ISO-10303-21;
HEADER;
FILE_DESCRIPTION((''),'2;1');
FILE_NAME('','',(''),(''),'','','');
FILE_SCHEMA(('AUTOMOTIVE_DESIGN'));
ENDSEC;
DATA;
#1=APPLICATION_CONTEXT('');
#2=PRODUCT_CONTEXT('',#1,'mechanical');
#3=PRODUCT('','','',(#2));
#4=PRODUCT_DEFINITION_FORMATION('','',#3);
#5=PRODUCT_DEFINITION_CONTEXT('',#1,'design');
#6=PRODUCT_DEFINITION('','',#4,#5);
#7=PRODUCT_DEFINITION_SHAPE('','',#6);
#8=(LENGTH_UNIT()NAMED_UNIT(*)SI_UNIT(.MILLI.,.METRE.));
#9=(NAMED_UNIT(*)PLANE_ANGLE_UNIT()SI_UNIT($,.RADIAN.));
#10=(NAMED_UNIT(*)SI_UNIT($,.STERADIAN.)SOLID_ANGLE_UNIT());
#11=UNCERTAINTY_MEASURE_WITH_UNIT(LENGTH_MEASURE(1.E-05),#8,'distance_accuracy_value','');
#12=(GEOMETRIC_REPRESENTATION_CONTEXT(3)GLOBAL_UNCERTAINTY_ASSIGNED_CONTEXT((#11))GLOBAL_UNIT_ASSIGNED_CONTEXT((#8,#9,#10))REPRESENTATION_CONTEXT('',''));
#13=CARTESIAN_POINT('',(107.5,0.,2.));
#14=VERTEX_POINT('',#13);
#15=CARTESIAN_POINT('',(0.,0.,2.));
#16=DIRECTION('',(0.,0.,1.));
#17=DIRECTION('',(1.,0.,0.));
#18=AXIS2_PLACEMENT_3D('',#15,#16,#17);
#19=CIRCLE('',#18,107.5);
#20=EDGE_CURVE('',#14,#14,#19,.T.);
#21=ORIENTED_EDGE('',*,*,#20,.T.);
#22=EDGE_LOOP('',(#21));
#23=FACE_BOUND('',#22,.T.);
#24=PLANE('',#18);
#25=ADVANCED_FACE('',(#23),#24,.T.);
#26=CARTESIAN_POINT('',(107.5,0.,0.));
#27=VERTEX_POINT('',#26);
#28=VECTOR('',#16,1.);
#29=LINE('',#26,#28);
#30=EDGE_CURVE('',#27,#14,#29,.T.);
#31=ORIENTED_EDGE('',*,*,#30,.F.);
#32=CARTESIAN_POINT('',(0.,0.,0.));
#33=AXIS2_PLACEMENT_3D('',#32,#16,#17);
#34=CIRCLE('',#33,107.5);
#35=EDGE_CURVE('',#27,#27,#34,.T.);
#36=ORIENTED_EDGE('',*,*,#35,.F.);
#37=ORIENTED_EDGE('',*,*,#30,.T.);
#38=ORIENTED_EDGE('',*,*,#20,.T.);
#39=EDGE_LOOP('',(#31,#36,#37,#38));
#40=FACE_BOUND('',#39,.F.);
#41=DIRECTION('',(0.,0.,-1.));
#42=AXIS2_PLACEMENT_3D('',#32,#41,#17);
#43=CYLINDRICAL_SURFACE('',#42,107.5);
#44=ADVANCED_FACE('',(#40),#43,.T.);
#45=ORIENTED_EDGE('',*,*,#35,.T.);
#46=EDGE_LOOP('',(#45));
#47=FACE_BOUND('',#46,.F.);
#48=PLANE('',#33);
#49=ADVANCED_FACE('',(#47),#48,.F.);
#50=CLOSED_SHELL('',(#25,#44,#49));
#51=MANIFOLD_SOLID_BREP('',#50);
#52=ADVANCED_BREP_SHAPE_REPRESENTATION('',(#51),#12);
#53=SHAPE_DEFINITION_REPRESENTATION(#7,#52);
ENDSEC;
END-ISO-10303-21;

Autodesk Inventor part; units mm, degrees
ref_plane "YZ Plane" through (0, 0, 0) normal (1, 0, 0) x (0, 1, 0)
ref_plane "XZ Plane" through (0, 0, 0) normal (0, 1, 0) x (-1, 0, 0)
ref_plane "XY Plane" through (0, 0, 0) normal (0, 0, 1) x (1, 0, 0)
sketch "Sketch1" plane through (0, 0, 0) normal (0, 0, 1) x (1, 0, 0)
  circle A0 centre (0, 0) radius 107.5
  dimension "d22" = 215
extrude "Plate1" add sketch "Sketch1" along normal blind 2
equation "\"d2\" = Thickness"
equation "\"BendReliefWidth\" = Thickness"
equation "\"BendReliefDepth\" = 0.5 * Thickness"
equation "\"CornerReliefSize\" = 4 * Thickness"
equation "\"MinimumRemnant\" = 2 * Thickness"
equation "\"TransitionRadius\" = BendRadius"
equation "\"JacobiRadiusSize\" = BendRadius"
equation "\"GapSize\" = Thickness"
equation "\"Thickness\" = 2"
equation "\"BendRadius\" = 5"
properties part number "TKS 3111 top DS cup 1" material "Stainless Steel"
